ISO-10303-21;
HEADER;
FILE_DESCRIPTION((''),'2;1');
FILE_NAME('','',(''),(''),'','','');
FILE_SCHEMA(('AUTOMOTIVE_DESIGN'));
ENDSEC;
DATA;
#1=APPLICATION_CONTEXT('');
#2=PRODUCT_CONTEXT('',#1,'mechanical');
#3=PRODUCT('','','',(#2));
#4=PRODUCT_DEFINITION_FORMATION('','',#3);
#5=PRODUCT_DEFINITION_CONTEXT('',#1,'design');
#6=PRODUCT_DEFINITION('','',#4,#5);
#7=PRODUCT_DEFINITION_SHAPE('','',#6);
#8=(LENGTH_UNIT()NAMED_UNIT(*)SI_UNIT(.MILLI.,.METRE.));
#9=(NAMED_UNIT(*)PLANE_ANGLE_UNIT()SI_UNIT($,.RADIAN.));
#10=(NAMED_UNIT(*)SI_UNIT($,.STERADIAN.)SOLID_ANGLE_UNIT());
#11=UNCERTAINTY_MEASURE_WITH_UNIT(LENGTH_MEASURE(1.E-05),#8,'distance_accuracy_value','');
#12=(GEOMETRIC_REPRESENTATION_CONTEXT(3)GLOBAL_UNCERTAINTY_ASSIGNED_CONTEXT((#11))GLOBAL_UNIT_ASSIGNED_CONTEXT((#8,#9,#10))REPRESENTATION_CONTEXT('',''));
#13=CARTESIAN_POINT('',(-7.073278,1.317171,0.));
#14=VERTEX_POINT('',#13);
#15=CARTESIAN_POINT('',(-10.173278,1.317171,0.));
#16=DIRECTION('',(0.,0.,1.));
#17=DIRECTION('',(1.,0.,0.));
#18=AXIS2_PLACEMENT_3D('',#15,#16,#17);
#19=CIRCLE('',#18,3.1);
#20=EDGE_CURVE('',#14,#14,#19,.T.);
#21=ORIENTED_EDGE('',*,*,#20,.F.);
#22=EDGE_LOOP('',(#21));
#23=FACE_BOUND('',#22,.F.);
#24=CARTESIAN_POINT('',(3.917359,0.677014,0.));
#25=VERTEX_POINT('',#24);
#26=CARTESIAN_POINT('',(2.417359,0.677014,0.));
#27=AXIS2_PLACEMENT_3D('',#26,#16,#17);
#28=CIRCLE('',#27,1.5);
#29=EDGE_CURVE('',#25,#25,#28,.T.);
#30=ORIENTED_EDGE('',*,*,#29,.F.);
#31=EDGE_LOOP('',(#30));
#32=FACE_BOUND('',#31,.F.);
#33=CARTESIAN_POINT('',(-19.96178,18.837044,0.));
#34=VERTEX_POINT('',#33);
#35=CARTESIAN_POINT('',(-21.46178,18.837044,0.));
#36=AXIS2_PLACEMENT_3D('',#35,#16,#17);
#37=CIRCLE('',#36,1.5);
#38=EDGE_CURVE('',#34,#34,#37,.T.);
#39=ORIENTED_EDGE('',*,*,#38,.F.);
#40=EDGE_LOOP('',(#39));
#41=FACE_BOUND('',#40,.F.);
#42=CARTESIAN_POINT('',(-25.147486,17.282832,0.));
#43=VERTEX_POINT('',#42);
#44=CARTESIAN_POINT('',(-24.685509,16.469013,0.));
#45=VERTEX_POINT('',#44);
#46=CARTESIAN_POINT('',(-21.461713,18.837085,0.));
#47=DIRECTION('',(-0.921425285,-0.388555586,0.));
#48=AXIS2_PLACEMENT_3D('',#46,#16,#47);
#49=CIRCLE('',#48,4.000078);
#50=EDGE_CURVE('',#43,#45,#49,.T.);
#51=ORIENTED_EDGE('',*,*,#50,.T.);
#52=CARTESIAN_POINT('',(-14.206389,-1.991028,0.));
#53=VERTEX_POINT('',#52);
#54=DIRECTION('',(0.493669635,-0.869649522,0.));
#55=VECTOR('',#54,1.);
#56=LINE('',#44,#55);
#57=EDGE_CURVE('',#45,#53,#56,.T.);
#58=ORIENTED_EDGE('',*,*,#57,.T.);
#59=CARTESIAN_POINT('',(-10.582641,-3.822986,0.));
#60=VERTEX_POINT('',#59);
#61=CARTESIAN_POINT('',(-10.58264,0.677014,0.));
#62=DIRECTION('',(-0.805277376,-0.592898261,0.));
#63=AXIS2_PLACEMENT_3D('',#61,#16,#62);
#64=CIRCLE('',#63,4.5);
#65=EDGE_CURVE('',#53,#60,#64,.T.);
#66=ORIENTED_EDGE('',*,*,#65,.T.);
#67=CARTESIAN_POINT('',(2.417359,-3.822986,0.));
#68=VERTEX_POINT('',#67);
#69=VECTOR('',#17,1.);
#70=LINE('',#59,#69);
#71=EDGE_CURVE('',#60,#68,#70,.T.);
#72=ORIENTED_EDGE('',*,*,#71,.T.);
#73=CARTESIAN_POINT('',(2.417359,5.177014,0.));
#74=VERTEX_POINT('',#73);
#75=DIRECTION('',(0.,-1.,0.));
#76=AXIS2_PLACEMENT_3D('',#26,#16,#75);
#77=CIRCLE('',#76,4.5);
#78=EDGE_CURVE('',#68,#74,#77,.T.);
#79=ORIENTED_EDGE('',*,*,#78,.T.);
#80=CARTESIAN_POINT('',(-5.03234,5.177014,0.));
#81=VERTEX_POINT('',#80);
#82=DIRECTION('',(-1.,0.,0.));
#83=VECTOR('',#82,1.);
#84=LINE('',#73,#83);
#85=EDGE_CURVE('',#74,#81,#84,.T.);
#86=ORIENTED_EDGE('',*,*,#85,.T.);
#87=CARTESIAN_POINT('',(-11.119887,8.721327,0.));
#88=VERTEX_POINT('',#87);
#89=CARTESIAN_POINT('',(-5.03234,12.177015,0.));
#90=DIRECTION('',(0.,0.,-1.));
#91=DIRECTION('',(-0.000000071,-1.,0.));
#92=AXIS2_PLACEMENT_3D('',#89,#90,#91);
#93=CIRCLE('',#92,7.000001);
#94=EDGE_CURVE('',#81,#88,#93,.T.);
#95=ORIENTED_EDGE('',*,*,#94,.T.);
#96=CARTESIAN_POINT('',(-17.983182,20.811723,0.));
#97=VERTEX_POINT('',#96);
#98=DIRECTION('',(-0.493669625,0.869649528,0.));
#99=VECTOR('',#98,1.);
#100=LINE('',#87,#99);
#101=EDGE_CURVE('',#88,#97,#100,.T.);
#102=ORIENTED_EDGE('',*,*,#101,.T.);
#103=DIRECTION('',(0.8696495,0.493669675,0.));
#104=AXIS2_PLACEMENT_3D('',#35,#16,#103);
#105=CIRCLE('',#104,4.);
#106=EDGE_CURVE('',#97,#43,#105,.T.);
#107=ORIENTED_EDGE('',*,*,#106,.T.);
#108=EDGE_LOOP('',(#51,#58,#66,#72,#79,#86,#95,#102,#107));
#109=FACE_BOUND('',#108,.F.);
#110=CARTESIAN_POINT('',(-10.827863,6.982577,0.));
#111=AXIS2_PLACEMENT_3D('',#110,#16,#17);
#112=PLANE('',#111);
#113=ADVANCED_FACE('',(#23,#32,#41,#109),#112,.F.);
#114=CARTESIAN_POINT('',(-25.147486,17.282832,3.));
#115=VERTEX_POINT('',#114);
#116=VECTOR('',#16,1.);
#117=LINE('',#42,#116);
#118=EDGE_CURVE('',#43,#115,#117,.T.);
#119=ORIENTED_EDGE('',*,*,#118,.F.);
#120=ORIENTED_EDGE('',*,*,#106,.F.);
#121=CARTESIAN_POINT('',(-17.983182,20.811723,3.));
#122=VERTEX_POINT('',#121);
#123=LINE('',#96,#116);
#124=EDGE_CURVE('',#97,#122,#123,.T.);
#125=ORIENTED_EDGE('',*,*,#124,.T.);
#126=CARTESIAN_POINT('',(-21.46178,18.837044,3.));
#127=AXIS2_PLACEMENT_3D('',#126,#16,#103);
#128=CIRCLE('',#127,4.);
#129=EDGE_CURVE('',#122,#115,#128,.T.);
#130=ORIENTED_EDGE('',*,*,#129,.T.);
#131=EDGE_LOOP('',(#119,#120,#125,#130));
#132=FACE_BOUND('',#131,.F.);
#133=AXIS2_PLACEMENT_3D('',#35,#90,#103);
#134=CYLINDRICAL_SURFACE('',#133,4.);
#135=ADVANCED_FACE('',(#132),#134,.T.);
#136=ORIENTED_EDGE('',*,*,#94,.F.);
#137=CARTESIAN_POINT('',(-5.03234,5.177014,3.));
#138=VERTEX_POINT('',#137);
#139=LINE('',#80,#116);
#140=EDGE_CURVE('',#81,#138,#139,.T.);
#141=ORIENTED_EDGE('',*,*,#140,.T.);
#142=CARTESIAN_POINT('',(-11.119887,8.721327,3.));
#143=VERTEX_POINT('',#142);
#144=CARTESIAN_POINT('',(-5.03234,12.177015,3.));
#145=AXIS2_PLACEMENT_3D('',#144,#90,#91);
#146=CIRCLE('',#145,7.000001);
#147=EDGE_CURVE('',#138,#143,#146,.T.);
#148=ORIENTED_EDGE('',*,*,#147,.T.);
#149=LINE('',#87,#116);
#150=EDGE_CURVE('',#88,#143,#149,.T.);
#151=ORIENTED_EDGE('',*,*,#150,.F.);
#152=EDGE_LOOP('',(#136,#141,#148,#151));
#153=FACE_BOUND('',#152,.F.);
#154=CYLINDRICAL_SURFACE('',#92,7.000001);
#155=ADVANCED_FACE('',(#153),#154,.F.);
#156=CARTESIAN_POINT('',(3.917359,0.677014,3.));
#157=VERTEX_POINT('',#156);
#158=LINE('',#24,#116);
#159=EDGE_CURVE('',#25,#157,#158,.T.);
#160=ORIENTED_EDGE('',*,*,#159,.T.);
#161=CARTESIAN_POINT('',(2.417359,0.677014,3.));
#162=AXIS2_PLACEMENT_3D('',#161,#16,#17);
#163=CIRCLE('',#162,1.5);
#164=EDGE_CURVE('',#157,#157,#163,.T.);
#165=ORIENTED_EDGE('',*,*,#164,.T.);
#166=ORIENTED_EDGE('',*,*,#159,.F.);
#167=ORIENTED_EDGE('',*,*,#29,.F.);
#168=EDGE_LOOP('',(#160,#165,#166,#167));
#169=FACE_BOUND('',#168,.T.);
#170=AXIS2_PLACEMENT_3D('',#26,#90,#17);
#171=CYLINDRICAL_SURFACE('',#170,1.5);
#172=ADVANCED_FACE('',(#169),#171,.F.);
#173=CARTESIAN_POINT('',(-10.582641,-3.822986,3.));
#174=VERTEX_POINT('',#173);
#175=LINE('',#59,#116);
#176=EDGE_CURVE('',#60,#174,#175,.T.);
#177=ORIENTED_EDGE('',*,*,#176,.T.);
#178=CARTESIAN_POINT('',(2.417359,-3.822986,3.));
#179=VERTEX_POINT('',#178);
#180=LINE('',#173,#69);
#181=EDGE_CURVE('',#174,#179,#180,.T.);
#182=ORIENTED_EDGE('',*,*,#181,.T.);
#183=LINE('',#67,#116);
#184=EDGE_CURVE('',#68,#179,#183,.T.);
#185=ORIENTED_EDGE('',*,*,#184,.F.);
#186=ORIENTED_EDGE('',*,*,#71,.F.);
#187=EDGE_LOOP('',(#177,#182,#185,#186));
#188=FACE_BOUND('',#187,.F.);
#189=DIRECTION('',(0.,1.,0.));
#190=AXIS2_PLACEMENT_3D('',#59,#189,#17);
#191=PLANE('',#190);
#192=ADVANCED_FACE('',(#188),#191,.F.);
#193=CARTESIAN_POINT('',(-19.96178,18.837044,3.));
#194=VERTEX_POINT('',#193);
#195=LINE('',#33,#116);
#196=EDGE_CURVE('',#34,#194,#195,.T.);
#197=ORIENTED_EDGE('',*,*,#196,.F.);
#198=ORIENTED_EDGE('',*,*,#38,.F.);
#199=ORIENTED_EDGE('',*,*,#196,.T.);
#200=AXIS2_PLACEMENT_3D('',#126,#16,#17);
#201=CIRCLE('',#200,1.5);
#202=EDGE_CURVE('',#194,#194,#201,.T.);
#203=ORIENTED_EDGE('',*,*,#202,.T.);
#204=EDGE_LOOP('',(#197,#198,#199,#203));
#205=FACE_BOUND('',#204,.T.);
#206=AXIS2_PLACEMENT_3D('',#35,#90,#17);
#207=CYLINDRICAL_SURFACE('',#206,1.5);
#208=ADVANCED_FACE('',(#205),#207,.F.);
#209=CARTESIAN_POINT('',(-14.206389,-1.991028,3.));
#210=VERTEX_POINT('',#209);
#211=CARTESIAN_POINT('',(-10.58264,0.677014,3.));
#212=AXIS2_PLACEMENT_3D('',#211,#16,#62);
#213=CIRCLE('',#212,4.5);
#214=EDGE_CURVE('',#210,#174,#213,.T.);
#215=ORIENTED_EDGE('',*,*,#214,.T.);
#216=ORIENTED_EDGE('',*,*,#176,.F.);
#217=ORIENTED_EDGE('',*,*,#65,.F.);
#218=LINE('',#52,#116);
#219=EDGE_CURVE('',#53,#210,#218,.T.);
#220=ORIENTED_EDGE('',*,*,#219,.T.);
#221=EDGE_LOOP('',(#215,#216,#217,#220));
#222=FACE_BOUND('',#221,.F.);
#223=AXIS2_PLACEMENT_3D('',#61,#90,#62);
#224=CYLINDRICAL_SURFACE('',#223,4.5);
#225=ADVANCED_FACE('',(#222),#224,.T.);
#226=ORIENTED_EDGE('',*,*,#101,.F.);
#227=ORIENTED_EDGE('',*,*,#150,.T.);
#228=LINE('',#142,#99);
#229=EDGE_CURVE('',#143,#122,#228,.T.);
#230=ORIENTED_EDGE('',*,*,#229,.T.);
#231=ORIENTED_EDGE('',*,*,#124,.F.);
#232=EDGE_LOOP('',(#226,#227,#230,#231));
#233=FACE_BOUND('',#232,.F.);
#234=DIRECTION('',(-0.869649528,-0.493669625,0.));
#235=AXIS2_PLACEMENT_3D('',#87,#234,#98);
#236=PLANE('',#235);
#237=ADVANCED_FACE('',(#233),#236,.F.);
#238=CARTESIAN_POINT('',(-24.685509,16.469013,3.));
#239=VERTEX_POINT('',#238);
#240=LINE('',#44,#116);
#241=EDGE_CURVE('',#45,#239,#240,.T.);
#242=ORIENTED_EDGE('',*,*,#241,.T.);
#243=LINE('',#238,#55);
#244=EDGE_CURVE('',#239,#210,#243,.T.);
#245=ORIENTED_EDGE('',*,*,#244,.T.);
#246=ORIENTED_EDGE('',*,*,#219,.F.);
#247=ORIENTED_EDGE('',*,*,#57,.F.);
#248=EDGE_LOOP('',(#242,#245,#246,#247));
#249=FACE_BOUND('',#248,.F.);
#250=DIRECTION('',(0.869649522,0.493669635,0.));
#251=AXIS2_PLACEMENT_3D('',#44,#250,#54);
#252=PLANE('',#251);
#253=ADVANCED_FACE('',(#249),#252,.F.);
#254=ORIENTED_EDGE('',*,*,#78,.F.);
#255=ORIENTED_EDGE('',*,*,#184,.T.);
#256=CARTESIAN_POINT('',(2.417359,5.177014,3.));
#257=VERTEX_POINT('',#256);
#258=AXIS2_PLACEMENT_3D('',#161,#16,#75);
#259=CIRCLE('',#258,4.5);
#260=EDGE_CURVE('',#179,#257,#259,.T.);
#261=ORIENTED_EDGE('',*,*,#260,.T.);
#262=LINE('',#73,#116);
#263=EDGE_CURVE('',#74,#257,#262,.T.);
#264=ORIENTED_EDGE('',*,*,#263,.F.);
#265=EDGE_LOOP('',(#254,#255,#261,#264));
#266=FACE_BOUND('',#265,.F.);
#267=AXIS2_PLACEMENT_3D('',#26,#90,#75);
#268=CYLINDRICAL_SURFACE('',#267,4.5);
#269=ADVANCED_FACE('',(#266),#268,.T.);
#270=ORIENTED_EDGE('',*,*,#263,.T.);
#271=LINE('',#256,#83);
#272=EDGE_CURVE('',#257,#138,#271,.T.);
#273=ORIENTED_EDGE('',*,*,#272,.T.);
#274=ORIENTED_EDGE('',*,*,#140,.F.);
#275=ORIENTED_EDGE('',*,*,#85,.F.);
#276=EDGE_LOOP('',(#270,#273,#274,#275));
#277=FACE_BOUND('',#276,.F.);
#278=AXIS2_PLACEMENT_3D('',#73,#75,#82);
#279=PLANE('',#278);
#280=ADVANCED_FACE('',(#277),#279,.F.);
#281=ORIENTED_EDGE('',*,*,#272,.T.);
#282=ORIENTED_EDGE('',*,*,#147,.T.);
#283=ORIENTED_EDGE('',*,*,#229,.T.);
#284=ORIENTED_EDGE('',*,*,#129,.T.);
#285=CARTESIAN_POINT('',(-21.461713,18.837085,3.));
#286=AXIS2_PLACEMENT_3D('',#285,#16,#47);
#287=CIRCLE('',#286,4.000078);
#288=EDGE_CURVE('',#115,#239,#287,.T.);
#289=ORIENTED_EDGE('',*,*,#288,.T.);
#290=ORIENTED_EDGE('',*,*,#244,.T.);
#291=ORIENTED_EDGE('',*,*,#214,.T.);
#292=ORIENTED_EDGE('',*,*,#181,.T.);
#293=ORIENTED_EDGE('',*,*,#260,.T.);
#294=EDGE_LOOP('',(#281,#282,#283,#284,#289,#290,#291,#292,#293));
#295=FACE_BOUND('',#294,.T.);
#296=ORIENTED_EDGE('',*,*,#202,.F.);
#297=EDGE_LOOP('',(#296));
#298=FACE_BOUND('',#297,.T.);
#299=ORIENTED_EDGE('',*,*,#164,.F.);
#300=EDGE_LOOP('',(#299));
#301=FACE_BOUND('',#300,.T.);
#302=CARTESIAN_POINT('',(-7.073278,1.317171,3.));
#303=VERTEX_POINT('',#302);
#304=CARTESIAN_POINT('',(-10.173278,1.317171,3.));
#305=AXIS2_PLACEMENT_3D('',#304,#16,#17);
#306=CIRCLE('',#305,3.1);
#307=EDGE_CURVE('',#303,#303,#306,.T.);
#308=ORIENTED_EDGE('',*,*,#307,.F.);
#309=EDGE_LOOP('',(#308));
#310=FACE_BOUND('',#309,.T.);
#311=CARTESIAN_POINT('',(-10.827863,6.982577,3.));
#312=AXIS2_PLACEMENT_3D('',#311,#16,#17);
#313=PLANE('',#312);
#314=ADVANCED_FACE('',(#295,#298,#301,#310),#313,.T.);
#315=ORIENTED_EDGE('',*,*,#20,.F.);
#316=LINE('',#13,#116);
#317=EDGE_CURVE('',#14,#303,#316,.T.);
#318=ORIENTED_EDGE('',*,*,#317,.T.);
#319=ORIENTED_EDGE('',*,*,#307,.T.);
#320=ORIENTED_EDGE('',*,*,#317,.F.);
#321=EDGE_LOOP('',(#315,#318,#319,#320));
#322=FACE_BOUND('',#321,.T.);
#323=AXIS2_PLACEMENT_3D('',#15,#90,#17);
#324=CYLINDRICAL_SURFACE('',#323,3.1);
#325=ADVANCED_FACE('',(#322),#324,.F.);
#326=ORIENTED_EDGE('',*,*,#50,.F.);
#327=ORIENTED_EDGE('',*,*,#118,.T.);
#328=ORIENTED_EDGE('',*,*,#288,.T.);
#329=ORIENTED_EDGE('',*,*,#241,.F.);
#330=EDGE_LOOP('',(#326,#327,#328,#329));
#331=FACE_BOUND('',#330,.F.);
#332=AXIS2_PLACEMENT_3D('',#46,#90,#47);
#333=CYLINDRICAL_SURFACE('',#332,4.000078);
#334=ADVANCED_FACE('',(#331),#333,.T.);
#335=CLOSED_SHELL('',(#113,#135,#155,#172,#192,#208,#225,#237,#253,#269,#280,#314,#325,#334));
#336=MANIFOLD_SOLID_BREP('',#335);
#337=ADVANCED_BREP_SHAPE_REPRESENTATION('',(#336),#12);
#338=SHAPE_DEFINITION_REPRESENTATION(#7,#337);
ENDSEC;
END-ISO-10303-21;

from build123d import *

# Parameters (mm, degrees)
F0_R     = 3.1
F0_R_2   = 1.5
F1_DEPTH = 3


with BuildPart() as f1:
    # F0 (on Top) → F1 (new body)
    with BuildSketch(Plane.XY):
        with BuildLine():
            Line((2.417359, 5.177014), (-5.03234, 5.177014))
            ThreePointArc((-5.03234, 5.177014), (-8.554427, 6.127642), (-11.119887, 8.721327))
            Line((-11.119887, 8.721327), (-17.983182, 20.811723))
            ThreePointArc((-17.983182, 20.811723), (-23.229262, 22.42536), (-25.147486, 17.282832))
            Line((-25.147486, 17.282832), (-24.685509, 16.469013))
            Line((-24.685509, 16.469013), (-14.206389, -1.991028))
            ThreePointArc((-14.206389, -1.991028), (-12.612888, -3.338966), (-10.582641, -3.822986))
            Line((-10.582641, -3.822986), (2.417359, -3.822986))
            ThreePointArc((2.417359, -3.822986), (6.917359, 0.677014), (2.417359, 5.177014))
        make_face()
        with Locations((-10.173278, 1.317171)):
            Circle(F0_R, mode=Mode.SUBTRACT)
        with Locations((2.417359, 0.677014)):
            Circle(F0_R_2, mode=Mode.SUBTRACT)
        with Locations((-21.46178, 18.837044)):
            Circle(F0_R_2, mode=Mode.SUBTRACT)
        with BuildLine():
            Line((-24.685509, 16.469013), (-25.147486, 17.282832))
            ThreePointArc((-25.147486, 17.282832), (-24.940378, 16.862366), (-24.685509, 16.469013))
        make_face()
    extrude(amount=F1_DEPTH)


solid = f1.part
